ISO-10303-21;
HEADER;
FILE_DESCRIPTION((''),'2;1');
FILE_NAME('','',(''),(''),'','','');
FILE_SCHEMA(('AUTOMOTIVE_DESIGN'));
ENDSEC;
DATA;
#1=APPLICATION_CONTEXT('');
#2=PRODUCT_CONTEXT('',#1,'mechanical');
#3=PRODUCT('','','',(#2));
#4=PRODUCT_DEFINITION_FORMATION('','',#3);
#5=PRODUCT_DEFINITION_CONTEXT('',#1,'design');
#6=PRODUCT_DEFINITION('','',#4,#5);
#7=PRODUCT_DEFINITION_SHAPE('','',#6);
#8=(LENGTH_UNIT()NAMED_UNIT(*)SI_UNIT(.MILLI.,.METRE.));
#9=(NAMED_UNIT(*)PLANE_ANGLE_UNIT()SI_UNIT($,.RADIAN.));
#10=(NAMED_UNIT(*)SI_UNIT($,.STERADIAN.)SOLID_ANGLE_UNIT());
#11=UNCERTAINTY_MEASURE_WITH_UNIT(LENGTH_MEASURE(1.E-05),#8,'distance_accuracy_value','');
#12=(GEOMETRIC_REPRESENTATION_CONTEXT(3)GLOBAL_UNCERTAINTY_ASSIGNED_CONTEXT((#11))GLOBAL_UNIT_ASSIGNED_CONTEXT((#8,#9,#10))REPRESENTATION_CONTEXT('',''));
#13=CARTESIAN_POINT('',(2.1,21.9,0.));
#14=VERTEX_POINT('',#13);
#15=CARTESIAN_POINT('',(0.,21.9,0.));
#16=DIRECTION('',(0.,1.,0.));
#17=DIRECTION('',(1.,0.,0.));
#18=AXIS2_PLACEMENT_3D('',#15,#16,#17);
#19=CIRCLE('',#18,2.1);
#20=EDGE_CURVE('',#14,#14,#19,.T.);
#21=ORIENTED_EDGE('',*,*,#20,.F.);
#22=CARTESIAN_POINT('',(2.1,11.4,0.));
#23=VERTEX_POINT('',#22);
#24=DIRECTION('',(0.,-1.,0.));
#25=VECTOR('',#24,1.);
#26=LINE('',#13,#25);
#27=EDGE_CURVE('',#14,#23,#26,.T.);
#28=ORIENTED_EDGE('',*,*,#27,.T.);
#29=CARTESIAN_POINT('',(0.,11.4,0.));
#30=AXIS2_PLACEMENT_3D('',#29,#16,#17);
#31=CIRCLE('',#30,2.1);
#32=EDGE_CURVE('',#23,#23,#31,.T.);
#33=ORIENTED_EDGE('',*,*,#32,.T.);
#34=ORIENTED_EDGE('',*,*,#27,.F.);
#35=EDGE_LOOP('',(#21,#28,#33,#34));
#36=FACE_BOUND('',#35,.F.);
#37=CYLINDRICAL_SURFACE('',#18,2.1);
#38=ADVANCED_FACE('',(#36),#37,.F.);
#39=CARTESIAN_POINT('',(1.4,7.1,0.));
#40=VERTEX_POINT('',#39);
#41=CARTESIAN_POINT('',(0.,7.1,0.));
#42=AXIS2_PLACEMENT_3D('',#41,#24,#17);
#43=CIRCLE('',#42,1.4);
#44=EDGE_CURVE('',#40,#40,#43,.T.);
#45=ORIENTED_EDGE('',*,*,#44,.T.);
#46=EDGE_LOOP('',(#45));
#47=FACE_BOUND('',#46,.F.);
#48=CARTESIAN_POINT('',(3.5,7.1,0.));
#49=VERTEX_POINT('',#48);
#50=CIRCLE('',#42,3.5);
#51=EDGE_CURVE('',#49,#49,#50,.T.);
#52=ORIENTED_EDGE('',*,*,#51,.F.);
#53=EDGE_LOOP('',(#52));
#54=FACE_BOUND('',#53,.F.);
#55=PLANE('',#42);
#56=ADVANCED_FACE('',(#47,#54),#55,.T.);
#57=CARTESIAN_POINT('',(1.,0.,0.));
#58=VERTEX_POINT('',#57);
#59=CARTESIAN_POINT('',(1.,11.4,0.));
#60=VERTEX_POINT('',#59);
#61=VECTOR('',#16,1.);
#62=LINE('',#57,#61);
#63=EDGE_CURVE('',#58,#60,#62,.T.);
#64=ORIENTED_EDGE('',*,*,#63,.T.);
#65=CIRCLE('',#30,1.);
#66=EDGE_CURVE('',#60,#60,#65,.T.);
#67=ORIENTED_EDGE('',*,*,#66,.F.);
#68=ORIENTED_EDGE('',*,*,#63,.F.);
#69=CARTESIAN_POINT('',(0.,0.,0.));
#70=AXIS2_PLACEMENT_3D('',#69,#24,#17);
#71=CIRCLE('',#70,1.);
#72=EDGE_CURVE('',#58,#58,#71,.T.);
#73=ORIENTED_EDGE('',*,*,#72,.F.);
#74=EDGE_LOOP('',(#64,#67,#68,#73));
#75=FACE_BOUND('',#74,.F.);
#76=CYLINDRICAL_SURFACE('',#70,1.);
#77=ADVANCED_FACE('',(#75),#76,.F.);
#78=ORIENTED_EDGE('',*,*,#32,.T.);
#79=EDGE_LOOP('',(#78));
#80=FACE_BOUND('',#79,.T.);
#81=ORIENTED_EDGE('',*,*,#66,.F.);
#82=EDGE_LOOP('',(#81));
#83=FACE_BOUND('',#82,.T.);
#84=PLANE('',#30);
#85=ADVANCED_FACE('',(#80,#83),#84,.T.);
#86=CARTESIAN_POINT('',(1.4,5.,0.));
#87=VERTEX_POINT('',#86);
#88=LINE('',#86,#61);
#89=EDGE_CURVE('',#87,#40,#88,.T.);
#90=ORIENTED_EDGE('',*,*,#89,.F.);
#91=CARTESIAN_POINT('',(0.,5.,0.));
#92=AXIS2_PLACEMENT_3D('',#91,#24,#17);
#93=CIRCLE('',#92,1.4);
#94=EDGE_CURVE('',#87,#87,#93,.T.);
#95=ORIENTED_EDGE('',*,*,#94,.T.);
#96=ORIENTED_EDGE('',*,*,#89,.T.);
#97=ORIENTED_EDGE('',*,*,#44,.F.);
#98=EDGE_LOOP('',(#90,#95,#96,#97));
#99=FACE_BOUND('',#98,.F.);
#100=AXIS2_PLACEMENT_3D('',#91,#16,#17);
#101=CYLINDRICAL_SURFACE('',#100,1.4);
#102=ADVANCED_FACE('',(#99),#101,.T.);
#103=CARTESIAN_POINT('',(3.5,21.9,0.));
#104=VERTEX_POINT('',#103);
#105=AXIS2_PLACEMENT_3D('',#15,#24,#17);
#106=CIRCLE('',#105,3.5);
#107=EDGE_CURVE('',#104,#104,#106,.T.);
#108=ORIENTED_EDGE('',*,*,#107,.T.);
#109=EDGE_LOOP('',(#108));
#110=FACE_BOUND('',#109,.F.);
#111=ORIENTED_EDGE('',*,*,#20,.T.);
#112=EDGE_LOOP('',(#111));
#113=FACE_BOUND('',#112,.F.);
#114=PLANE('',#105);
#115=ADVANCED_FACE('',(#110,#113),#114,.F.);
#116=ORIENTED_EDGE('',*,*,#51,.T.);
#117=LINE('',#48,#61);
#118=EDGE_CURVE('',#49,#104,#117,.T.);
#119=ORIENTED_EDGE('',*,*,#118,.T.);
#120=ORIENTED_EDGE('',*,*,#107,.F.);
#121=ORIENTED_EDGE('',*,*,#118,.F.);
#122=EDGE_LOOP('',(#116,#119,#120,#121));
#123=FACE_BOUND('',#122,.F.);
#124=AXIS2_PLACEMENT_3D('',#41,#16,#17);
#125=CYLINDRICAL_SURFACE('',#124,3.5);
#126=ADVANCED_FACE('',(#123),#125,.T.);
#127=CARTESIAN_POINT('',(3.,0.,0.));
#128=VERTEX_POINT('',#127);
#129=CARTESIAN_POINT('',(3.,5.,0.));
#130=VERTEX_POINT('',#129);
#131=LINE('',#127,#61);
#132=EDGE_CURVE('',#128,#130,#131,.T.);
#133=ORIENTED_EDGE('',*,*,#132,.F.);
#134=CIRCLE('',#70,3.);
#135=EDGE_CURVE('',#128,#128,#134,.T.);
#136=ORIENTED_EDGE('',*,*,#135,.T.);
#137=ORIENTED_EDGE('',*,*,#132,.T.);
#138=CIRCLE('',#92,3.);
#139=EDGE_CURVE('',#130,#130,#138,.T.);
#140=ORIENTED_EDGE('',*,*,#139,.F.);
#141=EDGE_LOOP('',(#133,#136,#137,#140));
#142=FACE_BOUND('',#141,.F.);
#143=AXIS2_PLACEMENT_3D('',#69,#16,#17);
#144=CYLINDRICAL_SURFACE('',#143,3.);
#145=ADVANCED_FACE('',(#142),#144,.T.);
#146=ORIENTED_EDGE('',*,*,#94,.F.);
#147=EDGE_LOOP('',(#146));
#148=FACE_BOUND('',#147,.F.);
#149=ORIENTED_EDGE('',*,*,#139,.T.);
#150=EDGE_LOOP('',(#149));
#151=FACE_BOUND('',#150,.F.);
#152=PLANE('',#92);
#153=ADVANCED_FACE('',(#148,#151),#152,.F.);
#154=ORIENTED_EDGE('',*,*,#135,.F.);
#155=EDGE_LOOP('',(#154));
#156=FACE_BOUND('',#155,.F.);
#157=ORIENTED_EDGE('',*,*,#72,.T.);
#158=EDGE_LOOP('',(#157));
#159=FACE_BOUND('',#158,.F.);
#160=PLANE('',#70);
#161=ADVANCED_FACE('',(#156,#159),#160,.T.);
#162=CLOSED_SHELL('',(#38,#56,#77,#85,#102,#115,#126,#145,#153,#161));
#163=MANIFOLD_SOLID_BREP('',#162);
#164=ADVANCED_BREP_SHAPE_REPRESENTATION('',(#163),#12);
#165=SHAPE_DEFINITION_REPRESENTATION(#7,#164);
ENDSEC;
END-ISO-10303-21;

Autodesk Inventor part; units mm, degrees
ref_plane "YZ Plane" through (0, 0, 0) normal (1, 0, 0) x (0, 1, 0)
ref_plane "XZ Plane" through (0, 0, 0) normal (0, 1, 0) x (-1, 0, 0)
ref_plane "XY Plane" through (0, 0, 0) normal (0, 0, 1) x (1, 0, 0)
sketch "Sketch1" plane through (0, 0, 0) normal (0, 0, 1) x (1, 0, 0)
  line L0 (0, 0) -> (3, 0)
  line L1 (3, 0) -> (3, 5)
  line L2 (3, 5) -> (1.4, 5)
  line L3 (1.4, 5) -> (1.4, 7.1)
  line L4 (1.4, 7.1) -> (3.5, 7.1)
  line L5 (3.5, 7.1) -> (3.5, 21.9)
  line L6 (3.5, 21.9) -> (0, 21.9)
  line L7 (0, 21.9) -> (0, 0)
  dimension "d0" = 3
  dimension "d1" = 5
  dimension "d2" = 1.4
  dimension "d3" = 2.1
  dimension "d4" = 3.5
  dimension "d5" = 14.8
revolve "Revolution1" add sketch "Sketch1" angle 360 about axis through (0, 21.9, 0) along (0, -1, 0)
thread "Thread1" size "M6x1" class "6g" standard "ANSI Metric M Profile" full length
thread "Thread2" size "M7x1" class "6g" standard "ANSI Metric M Profile" full length
sketch "Sketch2" plane through (0, 0, 0) normal (0, -1, 0) x (1, 0, 0)
  circle A0 centre (0, 0) radius 3.5 projected
  circle A1 centre (0, 0) radius 1
  dimension "d11" = 2
extrude "Extrusion1" cut sketch "Sketch2" against normal up to surface (21.9 mm away) contours A1
sketch "Sketch3" plane through (0, 21.9, 0) normal (0, 1, 0) x (1, 0, 0)
  circle A0 centre (0, 0) radius 1 projected
  circle A1 centre (0, 0) radius 3.5 projected
  circle A2 centre (0, 0) radius 2.1
  dimension "d14" = 4.2
extrude "Extrusion2" cut sketch "Sketch3" against normal blind 10.5 contours A2
properties part number "E3DV6HeatBreak" material "Stainless Steel"
